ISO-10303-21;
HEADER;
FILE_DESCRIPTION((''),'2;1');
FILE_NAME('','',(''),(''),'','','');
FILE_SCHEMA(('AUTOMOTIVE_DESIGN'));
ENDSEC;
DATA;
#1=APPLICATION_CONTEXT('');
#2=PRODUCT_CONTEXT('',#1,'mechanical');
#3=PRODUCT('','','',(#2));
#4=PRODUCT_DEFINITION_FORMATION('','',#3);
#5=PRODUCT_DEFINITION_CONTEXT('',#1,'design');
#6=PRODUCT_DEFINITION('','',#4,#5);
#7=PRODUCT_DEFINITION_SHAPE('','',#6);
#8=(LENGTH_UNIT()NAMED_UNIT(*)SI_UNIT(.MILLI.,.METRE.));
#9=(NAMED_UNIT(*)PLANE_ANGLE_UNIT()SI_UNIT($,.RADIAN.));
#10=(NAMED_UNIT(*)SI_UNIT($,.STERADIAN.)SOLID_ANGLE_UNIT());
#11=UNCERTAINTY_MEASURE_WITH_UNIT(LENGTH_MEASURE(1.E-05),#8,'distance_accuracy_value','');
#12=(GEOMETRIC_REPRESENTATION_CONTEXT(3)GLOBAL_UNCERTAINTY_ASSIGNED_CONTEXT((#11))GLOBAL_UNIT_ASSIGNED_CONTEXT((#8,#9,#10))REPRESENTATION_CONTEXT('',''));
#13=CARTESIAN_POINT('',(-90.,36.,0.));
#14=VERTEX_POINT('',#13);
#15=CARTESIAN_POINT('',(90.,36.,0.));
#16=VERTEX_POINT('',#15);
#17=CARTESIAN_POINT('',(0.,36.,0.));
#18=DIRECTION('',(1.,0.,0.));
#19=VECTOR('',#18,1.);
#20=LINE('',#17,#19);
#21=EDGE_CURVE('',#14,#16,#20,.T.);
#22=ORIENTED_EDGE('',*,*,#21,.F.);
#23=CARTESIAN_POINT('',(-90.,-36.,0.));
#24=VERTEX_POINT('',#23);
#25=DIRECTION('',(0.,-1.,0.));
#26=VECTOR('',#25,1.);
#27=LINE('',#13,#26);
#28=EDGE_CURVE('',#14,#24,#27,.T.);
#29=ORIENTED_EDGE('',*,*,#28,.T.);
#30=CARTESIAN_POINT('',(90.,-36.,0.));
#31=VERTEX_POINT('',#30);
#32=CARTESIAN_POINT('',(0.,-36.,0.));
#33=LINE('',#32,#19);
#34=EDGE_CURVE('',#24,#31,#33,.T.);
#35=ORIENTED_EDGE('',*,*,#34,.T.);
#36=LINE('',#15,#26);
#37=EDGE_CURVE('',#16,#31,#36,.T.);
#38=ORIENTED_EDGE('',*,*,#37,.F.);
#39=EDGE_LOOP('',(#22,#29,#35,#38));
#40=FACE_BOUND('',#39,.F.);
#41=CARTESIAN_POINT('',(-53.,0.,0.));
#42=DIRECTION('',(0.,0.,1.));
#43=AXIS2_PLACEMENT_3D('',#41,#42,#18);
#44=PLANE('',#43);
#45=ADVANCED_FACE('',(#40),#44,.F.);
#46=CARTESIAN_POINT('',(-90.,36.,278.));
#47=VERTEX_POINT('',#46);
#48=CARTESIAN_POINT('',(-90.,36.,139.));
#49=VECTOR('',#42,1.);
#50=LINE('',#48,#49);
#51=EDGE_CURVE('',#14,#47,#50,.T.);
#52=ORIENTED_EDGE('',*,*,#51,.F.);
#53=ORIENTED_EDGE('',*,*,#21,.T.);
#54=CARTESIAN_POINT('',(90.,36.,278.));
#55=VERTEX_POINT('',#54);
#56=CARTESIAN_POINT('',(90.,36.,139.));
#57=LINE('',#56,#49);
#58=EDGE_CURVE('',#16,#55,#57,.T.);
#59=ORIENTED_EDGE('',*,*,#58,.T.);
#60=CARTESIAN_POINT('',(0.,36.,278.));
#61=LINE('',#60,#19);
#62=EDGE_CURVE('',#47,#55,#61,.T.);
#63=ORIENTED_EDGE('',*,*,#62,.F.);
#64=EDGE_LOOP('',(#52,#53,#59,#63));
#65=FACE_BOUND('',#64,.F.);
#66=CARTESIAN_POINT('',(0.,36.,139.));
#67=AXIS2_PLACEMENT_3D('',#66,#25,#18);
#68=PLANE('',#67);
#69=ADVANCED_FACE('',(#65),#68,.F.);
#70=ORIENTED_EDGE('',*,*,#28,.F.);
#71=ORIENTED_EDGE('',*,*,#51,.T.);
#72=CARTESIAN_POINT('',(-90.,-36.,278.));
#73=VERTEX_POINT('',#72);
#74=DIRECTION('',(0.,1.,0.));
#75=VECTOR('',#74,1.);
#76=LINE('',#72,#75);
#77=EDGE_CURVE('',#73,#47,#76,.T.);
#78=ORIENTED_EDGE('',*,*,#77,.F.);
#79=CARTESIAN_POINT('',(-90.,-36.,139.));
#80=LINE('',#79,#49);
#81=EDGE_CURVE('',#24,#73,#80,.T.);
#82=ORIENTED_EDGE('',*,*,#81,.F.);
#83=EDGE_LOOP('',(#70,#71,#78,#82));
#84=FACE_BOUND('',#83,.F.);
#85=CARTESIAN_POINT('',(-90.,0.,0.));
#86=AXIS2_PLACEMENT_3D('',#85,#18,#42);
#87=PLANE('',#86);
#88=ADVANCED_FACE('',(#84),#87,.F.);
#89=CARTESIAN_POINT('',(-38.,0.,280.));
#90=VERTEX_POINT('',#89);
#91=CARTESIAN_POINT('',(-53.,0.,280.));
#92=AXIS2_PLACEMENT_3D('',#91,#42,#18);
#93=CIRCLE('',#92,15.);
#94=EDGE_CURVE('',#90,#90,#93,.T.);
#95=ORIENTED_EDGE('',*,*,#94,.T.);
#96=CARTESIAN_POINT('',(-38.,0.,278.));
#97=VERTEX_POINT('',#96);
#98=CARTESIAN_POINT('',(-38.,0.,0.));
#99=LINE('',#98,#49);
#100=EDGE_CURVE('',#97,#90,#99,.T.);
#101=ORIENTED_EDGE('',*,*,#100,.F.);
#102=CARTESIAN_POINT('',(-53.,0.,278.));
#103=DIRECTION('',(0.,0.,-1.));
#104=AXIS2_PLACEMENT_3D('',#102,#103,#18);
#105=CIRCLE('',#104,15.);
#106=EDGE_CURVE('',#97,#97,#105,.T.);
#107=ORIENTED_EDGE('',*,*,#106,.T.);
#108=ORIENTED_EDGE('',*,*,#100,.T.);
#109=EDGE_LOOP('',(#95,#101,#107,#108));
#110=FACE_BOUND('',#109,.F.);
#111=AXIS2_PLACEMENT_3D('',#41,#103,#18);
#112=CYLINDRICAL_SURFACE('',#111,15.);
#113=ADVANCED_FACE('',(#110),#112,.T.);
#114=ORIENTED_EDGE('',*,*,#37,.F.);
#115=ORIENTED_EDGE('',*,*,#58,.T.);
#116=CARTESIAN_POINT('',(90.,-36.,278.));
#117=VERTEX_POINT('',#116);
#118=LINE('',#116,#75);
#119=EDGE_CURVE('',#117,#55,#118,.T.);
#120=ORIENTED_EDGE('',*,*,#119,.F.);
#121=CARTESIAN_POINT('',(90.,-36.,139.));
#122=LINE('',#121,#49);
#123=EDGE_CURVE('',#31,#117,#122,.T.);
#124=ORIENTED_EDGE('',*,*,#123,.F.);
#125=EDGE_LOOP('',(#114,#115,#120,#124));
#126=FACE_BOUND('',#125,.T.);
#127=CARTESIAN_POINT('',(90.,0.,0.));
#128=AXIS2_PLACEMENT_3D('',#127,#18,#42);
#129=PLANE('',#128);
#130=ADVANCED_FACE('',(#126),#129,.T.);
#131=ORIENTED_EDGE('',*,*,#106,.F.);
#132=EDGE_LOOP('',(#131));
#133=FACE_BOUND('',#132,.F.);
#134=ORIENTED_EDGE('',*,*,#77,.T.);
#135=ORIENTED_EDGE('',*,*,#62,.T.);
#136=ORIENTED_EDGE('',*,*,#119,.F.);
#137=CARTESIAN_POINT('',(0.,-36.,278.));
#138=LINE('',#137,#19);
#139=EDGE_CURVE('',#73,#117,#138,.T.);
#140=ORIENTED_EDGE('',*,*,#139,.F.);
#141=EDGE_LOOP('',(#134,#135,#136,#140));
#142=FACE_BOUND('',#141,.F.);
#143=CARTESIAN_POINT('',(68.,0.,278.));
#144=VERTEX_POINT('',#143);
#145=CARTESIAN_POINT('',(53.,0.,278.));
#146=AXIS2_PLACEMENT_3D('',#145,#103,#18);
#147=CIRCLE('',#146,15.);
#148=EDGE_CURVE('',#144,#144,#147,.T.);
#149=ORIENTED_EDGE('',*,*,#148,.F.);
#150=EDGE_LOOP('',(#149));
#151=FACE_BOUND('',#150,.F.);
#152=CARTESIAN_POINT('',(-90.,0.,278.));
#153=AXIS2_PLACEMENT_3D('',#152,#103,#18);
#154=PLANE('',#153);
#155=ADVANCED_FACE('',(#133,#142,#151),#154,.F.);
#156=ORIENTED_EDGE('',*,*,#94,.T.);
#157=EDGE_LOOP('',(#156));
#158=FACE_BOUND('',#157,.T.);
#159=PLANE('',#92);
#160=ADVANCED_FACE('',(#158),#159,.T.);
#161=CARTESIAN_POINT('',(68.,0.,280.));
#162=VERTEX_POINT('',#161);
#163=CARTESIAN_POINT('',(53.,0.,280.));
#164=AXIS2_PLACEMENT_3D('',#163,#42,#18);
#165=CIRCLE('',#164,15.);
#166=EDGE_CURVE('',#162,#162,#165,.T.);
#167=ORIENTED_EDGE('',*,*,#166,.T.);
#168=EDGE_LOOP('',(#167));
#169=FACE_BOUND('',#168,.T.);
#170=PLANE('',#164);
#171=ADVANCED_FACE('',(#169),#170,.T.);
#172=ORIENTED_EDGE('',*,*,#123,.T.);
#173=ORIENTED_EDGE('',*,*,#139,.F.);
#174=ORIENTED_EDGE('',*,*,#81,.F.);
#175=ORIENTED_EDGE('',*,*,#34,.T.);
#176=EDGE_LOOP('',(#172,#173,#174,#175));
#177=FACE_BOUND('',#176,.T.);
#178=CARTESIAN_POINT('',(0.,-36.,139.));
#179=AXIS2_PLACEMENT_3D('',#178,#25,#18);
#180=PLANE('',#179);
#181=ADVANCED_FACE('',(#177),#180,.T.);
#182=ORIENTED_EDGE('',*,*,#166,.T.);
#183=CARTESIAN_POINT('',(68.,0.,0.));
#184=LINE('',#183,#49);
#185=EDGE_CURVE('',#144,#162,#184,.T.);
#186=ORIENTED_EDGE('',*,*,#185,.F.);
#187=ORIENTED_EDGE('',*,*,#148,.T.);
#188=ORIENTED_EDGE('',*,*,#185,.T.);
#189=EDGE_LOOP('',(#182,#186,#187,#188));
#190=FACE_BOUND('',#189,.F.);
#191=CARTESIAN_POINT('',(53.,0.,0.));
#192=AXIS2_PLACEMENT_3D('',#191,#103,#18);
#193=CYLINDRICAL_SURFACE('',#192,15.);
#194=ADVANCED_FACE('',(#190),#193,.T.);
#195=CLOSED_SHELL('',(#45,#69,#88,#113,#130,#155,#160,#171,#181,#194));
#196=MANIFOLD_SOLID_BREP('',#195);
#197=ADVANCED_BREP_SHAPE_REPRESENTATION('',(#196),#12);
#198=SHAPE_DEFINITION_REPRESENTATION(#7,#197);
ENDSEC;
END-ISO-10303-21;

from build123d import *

# Parameters (mm, degrees)
F0_W     = 180
F0_H     = 278
F1_DEPTH = 36
F2_R     = 15
F3_DEPTH = 280


with BuildPart() as f1:
    # F0 (on Front) → F1 (new body, symmetric)
    with BuildSketch(Plane.XZ):
        with Locations((0, 139)):
            Rectangle(F0_W, F0_H)
    extrude(amount=F1_DEPTH, both=True)

    # F2 (on Top) → F3 (join)
    with BuildSketch(Plane.XY):
        with Locations((-53, 0)):
            Circle(F2_R)
        with Locations((53, 0)):
            Circle(F2_R)
    extrude(amount=F3_DEPTH)


solid = f1.part
